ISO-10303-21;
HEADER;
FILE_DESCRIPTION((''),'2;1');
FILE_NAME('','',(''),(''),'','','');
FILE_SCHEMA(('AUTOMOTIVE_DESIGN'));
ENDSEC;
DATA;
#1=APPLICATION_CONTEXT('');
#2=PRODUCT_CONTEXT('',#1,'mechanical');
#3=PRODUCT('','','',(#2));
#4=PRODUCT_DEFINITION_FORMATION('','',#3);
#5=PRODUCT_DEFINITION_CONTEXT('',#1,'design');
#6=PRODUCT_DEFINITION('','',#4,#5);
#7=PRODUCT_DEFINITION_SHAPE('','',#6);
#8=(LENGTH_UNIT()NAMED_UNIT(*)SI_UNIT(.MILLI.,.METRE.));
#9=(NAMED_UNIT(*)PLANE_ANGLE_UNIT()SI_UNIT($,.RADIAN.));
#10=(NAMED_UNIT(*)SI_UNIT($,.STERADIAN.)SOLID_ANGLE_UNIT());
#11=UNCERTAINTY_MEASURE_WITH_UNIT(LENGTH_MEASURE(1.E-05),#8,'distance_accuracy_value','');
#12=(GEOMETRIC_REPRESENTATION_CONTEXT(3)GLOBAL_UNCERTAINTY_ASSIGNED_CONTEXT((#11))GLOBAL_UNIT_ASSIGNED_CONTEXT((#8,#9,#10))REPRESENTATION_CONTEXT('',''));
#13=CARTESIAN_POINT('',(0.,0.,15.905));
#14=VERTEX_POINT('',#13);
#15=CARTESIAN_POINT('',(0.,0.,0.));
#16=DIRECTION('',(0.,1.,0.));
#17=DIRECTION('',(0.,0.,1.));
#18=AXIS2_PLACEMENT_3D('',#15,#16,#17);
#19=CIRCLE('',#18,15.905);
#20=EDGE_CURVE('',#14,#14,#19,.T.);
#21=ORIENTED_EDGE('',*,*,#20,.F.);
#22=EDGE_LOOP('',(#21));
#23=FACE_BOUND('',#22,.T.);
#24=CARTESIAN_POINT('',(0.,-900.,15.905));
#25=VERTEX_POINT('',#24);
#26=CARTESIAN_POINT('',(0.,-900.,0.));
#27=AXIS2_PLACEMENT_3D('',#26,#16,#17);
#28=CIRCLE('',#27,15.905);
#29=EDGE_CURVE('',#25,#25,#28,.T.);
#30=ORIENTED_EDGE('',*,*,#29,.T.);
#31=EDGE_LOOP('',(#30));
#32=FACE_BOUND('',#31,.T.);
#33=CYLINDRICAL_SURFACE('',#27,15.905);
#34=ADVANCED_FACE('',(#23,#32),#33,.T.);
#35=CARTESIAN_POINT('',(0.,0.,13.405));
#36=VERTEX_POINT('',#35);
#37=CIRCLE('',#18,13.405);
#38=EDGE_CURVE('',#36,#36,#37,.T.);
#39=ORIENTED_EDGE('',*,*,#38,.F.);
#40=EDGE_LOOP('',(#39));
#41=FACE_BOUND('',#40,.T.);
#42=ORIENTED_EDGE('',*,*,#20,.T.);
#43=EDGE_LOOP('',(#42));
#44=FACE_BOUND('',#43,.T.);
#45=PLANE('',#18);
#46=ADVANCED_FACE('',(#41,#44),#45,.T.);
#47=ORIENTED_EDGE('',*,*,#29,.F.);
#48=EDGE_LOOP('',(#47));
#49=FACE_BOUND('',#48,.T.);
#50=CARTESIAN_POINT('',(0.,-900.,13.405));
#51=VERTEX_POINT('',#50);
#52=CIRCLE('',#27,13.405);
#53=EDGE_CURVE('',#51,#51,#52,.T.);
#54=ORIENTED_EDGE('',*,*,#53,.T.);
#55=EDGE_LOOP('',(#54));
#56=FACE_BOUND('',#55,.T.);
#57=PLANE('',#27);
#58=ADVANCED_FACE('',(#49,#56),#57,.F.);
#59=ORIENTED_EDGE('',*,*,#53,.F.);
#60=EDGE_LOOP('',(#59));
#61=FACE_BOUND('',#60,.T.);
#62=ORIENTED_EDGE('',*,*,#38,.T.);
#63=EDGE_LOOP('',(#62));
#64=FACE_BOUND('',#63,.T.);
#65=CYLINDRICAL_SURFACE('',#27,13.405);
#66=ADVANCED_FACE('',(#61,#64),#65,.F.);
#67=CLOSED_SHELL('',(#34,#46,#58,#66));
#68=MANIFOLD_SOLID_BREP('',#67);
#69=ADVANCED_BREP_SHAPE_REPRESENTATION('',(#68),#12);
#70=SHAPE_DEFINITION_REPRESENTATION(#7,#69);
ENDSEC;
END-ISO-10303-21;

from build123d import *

# Parameters (mm, degrees)
SKETCH1_R           = 15.905
SKETCH1_R_2         = 13.405
BOSS_EXTRUDE1_DEPTH = 900


with BuildPart() as part:
    # Sketch1 → Boss-Extrude1 (new body)
    with BuildSketch(Plane(origin=(0, 0, 0), x_dir=(1, 0, 0), z_dir=(0, 1, 0))):
        with Locations(Location((0, 0, 0), (0, 0, 270))):
            Circle(SKETCH1_R)
        with Locations(Location((0, 0, 0), (0, 0, 270))):
            Circle(SKETCH1_R_2, mode=Mode.SUBTRACT)
    extrude(amount=-BOSS_EXTRUDE1_DEPTH)


solid = part.part
